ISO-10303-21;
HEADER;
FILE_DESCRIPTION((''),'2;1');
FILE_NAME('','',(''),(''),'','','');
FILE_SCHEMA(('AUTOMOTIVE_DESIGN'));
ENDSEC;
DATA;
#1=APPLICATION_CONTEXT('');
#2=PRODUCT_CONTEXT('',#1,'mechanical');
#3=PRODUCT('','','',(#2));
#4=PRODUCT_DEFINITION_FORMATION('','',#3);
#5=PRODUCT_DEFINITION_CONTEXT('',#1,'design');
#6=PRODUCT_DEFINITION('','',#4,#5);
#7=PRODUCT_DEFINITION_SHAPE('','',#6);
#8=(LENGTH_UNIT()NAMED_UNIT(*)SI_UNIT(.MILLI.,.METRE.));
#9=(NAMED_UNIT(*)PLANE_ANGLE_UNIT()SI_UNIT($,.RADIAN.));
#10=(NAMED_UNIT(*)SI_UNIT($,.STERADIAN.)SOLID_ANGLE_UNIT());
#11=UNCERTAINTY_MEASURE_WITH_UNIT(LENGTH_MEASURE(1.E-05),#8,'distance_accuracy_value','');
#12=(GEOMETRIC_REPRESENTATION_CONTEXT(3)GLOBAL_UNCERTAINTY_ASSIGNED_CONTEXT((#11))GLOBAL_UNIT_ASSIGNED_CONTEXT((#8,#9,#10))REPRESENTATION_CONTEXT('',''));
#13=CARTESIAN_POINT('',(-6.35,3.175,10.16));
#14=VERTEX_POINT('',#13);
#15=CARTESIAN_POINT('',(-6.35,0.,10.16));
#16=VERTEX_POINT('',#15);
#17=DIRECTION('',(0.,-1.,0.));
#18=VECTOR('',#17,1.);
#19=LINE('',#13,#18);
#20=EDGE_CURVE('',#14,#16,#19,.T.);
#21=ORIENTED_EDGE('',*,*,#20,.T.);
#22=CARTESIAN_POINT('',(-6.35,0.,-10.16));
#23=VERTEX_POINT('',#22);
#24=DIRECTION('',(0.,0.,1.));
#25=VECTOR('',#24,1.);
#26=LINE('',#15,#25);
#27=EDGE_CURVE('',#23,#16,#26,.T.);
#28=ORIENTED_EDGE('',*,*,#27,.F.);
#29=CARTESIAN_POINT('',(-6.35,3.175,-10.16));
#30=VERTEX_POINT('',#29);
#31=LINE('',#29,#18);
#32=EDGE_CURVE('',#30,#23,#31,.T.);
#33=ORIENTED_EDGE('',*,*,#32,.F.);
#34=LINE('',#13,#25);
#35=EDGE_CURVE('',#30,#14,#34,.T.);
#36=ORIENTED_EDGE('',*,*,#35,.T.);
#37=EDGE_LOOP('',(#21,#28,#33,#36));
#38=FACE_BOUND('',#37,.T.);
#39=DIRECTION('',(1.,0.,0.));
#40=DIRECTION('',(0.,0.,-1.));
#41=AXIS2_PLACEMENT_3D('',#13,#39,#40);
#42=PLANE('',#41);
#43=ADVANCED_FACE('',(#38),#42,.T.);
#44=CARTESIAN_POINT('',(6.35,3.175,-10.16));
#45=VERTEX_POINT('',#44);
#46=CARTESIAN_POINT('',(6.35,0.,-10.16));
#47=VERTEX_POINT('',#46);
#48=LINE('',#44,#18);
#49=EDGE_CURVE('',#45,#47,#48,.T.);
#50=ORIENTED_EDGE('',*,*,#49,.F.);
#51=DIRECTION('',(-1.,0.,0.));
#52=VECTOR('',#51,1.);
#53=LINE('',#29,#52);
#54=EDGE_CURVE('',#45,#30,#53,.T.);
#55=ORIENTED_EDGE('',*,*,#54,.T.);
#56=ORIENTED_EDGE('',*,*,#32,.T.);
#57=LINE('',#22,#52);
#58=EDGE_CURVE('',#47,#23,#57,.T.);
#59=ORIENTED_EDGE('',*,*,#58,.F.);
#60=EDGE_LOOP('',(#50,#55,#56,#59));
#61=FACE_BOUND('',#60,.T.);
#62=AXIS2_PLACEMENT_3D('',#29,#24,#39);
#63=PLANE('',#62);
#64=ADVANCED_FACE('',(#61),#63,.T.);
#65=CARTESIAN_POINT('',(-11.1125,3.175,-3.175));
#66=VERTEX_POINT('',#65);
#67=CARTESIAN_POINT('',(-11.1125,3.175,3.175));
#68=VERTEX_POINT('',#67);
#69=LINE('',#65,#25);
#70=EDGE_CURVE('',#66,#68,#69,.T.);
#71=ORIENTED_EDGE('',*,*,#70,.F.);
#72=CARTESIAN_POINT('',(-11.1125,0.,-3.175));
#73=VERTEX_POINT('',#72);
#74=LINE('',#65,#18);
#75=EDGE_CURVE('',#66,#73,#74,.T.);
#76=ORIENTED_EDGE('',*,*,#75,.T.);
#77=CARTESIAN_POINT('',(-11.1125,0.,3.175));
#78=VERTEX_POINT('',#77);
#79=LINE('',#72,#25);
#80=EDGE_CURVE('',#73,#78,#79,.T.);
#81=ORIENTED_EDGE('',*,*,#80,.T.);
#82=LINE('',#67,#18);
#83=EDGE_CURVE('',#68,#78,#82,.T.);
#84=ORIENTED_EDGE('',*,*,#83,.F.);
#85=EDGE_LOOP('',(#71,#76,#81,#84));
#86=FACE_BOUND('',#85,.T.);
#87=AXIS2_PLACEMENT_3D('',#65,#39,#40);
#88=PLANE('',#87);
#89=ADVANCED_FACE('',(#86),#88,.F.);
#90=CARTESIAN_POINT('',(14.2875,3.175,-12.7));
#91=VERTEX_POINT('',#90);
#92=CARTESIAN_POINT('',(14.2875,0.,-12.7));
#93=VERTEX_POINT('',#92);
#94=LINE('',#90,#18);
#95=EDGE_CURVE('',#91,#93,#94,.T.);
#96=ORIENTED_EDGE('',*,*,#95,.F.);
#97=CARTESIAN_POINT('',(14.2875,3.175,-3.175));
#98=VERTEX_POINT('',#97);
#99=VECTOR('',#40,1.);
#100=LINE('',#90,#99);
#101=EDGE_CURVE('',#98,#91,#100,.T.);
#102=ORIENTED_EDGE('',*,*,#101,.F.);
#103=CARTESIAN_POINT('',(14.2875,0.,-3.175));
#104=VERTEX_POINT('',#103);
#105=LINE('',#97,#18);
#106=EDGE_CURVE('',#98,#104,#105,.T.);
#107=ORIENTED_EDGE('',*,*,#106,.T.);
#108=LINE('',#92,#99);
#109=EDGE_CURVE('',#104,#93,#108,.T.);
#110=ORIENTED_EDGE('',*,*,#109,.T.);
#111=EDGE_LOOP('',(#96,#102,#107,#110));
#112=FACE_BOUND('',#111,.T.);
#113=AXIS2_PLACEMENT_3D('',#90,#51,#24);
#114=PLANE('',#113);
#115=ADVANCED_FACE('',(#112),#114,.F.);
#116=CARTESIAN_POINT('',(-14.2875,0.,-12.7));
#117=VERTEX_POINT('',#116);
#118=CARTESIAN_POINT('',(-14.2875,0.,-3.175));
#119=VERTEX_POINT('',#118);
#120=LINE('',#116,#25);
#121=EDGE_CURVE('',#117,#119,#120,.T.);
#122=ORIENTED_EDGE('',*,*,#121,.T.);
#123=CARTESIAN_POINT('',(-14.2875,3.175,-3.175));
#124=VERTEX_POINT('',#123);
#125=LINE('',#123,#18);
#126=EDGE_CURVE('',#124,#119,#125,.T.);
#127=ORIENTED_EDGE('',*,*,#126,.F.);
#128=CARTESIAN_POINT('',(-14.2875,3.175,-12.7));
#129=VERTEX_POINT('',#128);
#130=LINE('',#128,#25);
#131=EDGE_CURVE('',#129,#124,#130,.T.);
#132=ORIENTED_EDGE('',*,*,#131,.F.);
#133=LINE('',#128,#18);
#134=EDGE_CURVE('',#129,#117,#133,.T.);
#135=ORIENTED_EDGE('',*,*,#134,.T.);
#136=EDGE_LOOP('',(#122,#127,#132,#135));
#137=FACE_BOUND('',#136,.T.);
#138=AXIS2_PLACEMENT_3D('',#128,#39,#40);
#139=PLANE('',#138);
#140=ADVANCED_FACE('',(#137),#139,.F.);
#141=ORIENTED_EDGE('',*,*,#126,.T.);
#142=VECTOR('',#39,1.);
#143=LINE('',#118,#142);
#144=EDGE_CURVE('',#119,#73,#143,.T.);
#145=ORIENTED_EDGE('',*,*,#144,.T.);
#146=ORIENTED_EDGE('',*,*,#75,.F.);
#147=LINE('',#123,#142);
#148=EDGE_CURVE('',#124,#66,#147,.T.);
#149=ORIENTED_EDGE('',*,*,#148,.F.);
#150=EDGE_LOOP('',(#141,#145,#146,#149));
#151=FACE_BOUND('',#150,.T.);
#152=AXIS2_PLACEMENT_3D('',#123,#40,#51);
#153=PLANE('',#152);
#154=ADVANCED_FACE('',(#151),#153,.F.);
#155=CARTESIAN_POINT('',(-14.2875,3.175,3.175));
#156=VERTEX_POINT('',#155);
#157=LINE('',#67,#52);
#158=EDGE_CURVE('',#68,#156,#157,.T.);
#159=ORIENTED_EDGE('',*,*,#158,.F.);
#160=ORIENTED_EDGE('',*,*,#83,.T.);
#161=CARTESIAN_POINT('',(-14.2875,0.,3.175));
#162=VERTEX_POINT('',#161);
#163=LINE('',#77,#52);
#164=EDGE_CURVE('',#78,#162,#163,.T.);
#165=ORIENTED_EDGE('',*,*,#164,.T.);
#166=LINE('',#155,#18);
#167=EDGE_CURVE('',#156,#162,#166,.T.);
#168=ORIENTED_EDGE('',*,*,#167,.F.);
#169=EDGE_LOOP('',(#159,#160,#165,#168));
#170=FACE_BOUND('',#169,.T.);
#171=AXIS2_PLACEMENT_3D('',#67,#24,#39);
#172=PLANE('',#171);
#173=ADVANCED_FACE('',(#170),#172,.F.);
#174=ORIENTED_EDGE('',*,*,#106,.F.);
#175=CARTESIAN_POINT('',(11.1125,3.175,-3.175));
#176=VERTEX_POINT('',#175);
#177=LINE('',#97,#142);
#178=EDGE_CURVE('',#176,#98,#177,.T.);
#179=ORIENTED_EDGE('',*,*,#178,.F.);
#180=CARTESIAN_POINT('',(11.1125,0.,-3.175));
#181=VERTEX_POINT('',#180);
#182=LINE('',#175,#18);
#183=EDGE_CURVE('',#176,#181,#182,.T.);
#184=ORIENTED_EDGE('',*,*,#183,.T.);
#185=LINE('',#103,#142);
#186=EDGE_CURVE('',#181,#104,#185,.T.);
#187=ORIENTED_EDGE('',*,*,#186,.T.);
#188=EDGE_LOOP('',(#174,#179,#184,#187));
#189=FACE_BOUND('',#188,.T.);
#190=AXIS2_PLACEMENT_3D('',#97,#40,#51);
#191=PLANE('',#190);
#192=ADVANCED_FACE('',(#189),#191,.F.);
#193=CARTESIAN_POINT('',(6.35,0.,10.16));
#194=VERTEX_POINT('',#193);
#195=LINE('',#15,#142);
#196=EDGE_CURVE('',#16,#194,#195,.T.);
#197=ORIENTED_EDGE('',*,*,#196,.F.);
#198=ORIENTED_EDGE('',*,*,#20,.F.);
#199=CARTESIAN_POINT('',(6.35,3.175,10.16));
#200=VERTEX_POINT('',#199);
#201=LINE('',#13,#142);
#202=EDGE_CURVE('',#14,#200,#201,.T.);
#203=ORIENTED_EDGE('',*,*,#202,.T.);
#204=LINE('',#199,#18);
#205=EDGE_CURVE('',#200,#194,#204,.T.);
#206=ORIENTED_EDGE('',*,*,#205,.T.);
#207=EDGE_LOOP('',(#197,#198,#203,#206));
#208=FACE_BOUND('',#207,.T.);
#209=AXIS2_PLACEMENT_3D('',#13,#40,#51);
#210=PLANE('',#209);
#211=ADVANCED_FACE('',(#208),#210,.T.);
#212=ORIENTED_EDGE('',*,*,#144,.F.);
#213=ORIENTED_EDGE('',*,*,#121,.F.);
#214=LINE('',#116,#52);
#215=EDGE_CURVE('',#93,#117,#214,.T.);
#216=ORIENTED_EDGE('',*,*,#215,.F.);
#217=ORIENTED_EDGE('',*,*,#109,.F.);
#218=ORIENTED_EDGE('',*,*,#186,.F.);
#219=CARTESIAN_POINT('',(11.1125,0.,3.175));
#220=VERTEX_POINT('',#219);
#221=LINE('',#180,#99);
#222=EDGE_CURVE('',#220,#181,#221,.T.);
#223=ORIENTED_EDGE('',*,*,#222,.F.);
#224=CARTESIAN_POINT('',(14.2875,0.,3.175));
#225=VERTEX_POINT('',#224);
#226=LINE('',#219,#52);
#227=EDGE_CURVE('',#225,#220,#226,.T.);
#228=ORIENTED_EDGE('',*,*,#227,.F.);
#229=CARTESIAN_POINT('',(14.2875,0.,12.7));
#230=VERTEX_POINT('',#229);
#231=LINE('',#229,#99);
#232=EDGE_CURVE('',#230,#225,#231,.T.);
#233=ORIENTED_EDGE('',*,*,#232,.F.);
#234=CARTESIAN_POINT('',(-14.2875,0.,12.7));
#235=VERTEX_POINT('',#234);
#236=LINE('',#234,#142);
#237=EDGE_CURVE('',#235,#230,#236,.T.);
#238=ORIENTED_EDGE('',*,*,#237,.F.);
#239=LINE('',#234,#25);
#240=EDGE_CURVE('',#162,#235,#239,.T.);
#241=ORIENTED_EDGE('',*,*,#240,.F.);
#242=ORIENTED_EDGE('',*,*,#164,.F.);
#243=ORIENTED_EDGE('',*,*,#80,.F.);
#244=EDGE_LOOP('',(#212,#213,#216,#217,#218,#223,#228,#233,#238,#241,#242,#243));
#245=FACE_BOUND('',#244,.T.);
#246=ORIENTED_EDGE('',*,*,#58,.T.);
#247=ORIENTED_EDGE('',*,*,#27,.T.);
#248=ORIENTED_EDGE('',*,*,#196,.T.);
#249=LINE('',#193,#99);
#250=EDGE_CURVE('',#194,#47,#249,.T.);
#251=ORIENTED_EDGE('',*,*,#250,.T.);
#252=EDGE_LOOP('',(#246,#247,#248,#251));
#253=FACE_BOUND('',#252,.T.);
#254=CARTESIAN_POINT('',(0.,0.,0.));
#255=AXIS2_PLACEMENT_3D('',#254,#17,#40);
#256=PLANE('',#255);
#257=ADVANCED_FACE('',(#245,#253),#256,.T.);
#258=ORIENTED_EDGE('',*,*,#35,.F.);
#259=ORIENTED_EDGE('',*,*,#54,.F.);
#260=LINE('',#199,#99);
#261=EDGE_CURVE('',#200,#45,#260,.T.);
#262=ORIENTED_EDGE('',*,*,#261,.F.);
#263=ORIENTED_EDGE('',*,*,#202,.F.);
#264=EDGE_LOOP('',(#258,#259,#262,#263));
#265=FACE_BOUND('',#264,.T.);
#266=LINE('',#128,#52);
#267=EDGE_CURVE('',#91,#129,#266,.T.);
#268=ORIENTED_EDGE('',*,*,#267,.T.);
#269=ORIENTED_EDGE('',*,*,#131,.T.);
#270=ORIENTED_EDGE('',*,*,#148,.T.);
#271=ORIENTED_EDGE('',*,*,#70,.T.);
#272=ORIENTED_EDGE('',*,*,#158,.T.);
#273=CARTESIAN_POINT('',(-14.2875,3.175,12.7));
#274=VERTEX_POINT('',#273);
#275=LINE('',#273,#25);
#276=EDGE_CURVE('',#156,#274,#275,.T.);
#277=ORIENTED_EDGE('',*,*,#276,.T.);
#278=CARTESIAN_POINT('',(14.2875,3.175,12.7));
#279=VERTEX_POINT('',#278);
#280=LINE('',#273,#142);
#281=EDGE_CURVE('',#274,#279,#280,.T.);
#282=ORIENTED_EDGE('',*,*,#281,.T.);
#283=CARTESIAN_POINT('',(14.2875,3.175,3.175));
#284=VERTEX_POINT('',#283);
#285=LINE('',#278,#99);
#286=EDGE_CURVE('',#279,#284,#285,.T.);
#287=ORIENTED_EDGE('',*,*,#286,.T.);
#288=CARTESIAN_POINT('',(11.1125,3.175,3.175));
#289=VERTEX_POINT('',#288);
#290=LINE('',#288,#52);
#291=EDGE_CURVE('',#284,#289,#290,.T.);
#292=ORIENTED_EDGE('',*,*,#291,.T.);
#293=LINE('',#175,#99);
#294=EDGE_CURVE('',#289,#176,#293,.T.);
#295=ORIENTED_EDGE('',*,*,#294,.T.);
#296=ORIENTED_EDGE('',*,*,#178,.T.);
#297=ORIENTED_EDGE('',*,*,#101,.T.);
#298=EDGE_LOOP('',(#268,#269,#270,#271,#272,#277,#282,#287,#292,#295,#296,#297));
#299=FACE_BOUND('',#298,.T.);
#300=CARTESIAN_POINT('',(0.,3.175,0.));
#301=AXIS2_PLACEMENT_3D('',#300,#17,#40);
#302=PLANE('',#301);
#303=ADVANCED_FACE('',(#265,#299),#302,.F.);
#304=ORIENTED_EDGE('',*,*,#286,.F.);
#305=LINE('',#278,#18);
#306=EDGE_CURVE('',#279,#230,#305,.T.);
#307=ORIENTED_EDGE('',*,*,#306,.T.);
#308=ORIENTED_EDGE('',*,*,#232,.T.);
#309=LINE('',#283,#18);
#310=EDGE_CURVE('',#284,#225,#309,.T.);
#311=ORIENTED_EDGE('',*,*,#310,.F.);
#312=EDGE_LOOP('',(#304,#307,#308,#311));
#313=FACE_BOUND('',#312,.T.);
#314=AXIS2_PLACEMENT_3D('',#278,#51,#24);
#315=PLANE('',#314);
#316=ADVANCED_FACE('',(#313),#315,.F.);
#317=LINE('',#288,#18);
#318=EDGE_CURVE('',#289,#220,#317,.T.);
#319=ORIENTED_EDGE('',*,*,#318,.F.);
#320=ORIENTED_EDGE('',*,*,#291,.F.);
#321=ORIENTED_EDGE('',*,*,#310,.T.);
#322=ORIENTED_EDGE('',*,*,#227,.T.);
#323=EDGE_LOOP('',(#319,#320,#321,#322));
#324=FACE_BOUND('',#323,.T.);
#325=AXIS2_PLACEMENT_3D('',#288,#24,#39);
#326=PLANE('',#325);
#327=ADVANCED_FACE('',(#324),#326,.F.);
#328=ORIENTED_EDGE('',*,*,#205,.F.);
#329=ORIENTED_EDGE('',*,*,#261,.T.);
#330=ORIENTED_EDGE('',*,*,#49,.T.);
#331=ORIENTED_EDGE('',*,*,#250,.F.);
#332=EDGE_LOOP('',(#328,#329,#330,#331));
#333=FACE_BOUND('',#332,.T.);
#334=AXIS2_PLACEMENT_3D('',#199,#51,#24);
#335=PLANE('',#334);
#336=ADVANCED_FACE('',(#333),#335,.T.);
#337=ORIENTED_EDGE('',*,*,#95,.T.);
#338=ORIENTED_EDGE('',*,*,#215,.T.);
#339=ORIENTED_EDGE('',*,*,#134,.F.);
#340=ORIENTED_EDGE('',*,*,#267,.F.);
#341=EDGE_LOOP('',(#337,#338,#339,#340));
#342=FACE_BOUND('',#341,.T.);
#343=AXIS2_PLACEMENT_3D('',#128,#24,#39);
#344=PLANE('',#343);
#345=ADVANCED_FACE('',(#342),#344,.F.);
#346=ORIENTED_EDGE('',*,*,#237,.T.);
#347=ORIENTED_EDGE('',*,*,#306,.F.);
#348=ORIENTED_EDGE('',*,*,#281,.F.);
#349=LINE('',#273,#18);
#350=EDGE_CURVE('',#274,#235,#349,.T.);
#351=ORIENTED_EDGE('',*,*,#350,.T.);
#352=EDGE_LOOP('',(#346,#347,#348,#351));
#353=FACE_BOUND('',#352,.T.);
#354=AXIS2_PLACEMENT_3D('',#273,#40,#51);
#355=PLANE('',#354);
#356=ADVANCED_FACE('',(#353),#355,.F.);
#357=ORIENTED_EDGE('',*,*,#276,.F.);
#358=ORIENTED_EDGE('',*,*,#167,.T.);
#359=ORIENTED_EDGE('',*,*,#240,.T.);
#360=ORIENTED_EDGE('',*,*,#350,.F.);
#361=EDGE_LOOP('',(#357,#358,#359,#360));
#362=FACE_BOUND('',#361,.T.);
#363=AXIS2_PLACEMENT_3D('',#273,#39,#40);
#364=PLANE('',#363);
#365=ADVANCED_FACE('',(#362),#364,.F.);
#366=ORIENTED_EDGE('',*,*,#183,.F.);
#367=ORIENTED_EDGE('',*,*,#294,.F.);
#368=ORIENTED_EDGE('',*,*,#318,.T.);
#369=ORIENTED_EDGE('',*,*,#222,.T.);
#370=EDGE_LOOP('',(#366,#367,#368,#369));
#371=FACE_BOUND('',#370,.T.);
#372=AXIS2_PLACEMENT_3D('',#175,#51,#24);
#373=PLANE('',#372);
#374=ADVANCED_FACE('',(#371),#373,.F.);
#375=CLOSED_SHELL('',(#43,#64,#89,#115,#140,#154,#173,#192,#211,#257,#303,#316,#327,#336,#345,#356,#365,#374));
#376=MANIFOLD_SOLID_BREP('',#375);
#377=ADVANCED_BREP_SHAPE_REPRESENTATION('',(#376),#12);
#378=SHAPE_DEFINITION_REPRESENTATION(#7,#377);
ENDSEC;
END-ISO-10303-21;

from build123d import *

# Parameters (mm, degrees)
SKETCH1_W           = 12.7
SKETCH1_H           = 20.32
BOSS_EXTRUDE1_DEPTH = 3.175


with BuildPart() as part:
    # Sketch1 → Boss-Extrude1 (new body)
    with BuildSketch(Plane(origin=(0, 0, 0), x_dir=(1, 0, 0), z_dir=(0, 1, 0))):
        Polygon((-14.2875, 3.175), (-11.1125, 3.175), (-11.1125, -3.175), (-14.2875, -3.175), (-14.2875, -12.7), (14.2875, -12.7), (14.2875, -3.175), (11.1125, -3.175), (11.1125, 3.175), (14.2875, 3.175), (14.2875, 12.7), (-14.2875, 12.7), align=None)
        Rectangle(SKETCH1_W, SKETCH1_H, mode=Mode.SUBTRACT)
    extrude(amount=BOSS_EXTRUDE1_DEPTH)


solid = part.part
